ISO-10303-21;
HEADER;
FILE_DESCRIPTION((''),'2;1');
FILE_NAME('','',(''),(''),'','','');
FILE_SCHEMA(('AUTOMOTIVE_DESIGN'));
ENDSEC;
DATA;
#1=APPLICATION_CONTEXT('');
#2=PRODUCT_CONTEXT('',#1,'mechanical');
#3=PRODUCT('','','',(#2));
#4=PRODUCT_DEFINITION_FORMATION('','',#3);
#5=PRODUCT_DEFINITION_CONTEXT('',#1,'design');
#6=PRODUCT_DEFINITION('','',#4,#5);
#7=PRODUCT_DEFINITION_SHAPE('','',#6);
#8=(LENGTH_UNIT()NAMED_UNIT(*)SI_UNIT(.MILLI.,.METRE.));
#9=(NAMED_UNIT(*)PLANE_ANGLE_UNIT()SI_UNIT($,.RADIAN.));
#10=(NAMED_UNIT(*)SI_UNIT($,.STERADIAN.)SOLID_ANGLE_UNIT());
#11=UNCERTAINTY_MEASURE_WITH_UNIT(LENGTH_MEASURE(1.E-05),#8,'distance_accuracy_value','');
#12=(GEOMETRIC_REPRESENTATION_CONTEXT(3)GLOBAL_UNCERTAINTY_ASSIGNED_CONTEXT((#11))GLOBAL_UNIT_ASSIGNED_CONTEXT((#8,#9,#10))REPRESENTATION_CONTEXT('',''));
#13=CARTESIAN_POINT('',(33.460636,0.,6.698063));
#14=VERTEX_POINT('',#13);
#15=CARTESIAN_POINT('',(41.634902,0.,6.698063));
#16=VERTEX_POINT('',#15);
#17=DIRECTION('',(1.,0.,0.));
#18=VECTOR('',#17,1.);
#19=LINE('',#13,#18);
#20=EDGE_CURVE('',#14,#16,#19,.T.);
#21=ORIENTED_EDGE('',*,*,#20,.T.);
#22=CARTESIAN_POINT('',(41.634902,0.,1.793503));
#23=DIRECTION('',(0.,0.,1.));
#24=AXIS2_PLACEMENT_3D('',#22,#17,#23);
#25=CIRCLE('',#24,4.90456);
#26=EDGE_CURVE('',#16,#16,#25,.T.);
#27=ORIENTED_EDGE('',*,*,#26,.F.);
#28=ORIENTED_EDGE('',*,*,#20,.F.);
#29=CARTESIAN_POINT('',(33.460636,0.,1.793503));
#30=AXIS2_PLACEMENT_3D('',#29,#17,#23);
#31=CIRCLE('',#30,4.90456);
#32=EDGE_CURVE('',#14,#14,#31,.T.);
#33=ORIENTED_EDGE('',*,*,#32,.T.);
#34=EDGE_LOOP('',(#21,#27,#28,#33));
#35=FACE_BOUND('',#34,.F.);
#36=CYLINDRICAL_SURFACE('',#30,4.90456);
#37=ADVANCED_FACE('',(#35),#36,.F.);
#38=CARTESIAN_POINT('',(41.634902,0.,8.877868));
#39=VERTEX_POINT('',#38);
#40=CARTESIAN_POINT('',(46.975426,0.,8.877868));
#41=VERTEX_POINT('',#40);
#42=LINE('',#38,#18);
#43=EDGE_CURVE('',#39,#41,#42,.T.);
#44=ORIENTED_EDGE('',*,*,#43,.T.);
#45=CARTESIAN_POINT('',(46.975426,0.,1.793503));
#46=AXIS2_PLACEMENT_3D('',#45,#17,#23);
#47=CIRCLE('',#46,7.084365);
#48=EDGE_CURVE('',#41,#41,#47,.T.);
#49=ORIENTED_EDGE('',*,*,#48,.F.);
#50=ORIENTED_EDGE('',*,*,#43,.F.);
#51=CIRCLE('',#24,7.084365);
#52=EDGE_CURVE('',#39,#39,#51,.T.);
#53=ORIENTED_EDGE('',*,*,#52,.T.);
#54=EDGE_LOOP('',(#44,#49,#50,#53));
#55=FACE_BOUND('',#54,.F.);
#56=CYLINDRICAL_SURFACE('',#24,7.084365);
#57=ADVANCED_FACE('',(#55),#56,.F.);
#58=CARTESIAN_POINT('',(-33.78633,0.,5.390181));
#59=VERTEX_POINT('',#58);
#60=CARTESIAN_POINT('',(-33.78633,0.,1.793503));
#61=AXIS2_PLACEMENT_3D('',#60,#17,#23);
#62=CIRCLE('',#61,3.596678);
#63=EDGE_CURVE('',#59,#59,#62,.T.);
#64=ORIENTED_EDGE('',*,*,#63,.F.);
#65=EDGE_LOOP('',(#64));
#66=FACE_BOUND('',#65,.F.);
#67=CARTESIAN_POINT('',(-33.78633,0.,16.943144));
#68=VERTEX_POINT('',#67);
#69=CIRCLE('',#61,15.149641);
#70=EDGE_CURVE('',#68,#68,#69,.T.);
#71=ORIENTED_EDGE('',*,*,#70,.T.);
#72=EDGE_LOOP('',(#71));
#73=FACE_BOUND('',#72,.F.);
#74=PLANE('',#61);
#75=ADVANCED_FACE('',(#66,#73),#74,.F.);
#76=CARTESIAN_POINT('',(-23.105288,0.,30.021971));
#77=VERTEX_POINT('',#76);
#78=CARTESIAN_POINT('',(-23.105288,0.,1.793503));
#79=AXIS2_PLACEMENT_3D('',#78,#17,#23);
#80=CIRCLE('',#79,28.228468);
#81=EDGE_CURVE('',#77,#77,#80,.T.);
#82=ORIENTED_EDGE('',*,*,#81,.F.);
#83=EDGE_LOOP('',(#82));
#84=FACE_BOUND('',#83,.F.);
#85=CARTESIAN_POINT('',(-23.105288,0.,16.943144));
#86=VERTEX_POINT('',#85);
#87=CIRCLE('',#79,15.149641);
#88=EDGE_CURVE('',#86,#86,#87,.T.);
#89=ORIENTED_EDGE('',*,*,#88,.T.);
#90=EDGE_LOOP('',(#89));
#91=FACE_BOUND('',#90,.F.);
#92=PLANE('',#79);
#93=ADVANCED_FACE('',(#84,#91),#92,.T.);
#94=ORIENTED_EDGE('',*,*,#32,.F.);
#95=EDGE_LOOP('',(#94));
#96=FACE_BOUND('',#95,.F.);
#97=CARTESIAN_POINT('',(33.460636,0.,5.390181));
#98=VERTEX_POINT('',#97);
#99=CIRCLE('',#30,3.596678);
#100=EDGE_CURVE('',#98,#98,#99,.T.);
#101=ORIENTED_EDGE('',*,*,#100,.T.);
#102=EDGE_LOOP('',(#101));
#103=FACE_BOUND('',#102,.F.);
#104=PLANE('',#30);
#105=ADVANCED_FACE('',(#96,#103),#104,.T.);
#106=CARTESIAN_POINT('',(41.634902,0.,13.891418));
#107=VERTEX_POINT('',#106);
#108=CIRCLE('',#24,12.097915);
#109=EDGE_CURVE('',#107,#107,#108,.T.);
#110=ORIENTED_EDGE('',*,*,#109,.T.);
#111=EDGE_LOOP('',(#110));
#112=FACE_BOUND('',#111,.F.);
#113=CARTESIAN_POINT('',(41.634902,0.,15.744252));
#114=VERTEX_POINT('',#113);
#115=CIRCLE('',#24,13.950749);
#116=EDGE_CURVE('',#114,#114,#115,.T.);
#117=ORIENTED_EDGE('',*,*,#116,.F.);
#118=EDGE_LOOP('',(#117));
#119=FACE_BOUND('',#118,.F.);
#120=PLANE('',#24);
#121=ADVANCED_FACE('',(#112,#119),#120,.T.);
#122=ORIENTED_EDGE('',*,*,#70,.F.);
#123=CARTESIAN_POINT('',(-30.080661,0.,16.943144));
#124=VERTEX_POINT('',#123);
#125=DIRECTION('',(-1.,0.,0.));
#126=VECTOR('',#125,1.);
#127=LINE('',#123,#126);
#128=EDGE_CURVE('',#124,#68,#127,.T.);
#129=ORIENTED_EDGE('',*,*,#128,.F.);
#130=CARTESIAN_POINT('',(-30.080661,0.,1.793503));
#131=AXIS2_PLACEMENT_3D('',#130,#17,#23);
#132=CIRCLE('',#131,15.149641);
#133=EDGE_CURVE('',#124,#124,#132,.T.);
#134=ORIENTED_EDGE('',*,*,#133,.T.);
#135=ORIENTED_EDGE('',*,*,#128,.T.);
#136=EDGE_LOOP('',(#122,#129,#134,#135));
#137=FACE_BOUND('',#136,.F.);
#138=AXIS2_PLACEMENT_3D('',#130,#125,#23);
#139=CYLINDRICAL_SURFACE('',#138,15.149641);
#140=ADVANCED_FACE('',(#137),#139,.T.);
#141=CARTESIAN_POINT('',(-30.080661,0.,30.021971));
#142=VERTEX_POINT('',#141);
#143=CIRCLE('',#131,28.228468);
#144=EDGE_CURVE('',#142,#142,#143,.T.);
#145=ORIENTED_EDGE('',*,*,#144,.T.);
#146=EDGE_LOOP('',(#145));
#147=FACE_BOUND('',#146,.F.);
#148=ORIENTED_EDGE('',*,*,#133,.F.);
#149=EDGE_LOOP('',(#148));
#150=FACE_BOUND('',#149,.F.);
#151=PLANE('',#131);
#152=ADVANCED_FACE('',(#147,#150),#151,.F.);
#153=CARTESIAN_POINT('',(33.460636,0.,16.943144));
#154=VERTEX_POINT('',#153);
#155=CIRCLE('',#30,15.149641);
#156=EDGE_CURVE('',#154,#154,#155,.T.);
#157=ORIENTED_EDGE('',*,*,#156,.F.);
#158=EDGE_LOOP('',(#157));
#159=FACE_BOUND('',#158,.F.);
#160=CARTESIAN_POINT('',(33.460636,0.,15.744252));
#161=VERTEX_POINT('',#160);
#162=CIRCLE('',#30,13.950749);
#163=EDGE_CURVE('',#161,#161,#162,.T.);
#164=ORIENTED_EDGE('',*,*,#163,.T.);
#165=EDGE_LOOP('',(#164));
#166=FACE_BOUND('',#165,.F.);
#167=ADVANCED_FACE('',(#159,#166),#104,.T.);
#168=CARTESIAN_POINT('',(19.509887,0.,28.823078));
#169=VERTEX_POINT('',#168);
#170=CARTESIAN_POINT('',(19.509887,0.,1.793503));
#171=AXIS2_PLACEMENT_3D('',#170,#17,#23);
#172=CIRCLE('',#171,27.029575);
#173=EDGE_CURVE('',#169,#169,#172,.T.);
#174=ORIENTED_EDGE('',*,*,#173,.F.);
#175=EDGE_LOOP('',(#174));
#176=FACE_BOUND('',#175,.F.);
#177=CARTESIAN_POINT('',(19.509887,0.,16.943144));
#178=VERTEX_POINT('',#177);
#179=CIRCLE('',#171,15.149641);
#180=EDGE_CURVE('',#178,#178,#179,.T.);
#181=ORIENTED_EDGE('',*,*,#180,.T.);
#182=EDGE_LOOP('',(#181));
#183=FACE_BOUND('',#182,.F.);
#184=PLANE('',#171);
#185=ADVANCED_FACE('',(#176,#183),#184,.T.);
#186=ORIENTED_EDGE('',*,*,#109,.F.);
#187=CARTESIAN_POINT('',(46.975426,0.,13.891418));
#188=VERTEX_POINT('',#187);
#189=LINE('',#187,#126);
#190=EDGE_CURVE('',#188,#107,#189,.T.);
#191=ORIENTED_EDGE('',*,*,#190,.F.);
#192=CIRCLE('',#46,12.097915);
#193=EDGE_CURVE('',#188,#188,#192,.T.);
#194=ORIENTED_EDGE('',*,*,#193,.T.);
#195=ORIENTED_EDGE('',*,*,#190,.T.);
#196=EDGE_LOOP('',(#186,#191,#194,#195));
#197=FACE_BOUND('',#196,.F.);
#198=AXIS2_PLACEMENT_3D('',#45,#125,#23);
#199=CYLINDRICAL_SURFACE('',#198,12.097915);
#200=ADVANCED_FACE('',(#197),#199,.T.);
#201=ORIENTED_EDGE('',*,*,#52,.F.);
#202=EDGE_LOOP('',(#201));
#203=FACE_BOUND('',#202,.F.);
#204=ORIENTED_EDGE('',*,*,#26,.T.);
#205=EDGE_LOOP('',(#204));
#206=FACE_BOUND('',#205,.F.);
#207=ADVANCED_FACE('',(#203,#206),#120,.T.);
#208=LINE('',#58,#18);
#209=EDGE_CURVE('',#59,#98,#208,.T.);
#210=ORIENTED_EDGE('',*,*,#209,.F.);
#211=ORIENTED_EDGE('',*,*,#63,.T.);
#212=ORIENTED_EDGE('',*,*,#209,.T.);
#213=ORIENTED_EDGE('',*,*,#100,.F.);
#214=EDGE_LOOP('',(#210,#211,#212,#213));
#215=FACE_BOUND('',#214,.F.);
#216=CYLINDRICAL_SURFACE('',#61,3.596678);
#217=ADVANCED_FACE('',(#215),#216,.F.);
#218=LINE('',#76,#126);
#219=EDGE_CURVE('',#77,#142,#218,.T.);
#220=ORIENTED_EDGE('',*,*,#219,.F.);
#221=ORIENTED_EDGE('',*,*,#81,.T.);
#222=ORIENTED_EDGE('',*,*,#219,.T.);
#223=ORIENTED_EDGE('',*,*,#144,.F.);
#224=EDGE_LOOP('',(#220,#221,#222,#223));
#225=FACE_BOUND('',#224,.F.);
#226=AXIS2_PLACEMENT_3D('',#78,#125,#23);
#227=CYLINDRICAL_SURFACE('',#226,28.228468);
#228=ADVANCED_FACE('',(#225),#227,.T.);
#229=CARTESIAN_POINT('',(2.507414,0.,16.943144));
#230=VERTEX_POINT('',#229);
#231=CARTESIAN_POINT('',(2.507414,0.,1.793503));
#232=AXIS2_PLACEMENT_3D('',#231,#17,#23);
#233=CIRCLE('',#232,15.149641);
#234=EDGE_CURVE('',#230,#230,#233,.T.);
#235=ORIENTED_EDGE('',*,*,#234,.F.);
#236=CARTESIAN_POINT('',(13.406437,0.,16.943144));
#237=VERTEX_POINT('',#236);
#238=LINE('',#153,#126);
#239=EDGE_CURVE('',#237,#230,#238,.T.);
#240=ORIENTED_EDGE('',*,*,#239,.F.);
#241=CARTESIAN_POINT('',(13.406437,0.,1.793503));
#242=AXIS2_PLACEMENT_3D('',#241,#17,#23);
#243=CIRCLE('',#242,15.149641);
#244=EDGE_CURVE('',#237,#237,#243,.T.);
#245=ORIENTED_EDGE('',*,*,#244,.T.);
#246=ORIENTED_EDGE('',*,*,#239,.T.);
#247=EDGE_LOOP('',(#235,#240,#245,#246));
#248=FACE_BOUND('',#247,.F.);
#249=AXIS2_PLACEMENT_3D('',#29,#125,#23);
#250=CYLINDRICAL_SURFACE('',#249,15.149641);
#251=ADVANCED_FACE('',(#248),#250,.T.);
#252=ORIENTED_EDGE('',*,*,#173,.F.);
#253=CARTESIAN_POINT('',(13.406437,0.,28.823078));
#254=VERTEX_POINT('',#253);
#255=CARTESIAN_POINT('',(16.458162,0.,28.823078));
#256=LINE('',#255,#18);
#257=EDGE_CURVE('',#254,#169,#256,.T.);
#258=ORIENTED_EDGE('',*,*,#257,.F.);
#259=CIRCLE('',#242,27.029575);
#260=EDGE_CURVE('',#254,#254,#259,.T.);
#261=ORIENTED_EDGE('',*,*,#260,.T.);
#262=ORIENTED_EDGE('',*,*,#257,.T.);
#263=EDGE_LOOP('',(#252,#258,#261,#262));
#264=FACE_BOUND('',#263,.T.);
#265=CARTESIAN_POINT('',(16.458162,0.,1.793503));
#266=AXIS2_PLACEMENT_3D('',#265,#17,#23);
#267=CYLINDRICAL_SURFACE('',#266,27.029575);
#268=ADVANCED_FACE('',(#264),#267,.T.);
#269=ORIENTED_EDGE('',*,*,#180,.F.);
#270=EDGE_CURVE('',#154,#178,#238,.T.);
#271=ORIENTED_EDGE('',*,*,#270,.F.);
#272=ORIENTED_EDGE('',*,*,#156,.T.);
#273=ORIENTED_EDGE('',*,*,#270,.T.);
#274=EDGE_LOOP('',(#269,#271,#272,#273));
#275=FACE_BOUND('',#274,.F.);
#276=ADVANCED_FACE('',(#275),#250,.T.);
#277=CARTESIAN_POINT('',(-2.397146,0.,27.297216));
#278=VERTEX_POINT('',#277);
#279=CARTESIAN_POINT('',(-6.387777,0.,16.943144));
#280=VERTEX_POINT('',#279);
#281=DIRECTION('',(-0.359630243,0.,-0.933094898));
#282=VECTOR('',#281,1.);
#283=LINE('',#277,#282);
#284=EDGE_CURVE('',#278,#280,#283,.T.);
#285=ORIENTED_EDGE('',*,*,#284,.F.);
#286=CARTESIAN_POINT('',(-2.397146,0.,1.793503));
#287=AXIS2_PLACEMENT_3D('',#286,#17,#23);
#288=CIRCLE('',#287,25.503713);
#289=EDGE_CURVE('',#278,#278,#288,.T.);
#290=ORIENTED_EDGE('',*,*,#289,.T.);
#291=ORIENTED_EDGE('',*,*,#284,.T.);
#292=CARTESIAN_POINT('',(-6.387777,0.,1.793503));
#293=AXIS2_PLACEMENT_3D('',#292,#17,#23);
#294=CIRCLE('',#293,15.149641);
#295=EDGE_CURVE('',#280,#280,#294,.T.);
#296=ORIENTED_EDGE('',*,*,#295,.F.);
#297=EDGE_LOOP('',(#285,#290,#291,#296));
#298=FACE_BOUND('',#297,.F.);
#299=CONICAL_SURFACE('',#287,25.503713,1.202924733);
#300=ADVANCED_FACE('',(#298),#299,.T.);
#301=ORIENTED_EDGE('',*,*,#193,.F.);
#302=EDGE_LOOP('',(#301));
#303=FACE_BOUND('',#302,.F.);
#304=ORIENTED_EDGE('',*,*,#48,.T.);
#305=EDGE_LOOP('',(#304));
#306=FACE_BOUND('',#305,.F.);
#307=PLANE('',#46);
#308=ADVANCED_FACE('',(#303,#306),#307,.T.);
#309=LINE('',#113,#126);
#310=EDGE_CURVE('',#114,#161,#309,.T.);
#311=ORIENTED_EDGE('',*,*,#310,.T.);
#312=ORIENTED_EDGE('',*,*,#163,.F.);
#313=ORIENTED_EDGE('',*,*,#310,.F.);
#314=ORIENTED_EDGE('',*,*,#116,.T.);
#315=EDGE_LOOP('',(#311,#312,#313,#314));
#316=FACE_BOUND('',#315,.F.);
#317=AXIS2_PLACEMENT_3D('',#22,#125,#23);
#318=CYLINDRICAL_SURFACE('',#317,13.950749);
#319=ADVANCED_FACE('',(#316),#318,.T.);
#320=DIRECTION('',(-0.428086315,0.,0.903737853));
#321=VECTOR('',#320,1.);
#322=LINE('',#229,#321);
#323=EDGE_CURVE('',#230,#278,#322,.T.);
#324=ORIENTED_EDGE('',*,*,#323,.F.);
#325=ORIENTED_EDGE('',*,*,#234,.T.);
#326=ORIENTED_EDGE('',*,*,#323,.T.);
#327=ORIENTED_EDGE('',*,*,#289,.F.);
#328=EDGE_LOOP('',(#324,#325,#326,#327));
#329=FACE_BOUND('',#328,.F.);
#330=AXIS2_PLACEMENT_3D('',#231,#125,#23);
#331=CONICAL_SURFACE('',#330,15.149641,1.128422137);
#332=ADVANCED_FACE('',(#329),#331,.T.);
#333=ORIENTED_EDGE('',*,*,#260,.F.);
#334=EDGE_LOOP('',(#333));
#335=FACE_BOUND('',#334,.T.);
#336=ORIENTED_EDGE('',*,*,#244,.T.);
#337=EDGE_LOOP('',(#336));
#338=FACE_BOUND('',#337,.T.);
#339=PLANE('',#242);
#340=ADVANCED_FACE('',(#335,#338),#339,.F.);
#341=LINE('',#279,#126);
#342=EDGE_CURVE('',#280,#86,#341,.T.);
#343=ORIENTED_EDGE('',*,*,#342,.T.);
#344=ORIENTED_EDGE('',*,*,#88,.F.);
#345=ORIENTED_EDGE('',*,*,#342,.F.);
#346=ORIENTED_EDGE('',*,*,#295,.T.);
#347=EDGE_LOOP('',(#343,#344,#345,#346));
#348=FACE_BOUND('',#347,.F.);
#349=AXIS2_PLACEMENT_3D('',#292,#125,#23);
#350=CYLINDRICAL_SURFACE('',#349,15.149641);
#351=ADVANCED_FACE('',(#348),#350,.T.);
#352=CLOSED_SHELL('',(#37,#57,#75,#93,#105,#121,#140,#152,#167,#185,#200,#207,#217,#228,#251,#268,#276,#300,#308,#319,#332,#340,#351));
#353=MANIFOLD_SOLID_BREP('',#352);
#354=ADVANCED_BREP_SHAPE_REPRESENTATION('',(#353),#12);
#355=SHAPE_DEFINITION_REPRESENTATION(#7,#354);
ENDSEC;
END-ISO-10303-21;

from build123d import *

# Parameters (mm, degrees)
F0_W = 6.10345
F0_H = 11.879934


with BuildPart() as f1:
    # F0 (on Front) → F1 (revolve)
    with BuildSketch(Plane.XZ):
        Polygon((-30.080661, 16.943144), (-33.78633, 16.943144), (-33.78633, 5.390181), (33.460636, 5.390181), (33.460636, 6.698063), (41.634902, 6.698063), (41.634902, 8.877868), (46.975426, 8.877868), (46.975426, 13.891418), (41.634902, 13.891418), (41.634902, 15.744252), (33.460636, 15.744252), (33.460636, 16.943144), (19.509887, 16.943144), (13.406437, 16.943144), (2.507414, 16.943144), (-2.397146, 27.297216), (-6.387777, 16.943144), (-23.105288, 16.943144), (-23.105288, 30.021971), (-30.080661, 30.021971), align=None)
        with Locations((16.458162, 22.883111)):
            Rectangle(F0_W, F0_H)
    revolve(axis=Axis((5.777121, 0, 1.793503), (1, 0, 0)))


solid = f1.part
